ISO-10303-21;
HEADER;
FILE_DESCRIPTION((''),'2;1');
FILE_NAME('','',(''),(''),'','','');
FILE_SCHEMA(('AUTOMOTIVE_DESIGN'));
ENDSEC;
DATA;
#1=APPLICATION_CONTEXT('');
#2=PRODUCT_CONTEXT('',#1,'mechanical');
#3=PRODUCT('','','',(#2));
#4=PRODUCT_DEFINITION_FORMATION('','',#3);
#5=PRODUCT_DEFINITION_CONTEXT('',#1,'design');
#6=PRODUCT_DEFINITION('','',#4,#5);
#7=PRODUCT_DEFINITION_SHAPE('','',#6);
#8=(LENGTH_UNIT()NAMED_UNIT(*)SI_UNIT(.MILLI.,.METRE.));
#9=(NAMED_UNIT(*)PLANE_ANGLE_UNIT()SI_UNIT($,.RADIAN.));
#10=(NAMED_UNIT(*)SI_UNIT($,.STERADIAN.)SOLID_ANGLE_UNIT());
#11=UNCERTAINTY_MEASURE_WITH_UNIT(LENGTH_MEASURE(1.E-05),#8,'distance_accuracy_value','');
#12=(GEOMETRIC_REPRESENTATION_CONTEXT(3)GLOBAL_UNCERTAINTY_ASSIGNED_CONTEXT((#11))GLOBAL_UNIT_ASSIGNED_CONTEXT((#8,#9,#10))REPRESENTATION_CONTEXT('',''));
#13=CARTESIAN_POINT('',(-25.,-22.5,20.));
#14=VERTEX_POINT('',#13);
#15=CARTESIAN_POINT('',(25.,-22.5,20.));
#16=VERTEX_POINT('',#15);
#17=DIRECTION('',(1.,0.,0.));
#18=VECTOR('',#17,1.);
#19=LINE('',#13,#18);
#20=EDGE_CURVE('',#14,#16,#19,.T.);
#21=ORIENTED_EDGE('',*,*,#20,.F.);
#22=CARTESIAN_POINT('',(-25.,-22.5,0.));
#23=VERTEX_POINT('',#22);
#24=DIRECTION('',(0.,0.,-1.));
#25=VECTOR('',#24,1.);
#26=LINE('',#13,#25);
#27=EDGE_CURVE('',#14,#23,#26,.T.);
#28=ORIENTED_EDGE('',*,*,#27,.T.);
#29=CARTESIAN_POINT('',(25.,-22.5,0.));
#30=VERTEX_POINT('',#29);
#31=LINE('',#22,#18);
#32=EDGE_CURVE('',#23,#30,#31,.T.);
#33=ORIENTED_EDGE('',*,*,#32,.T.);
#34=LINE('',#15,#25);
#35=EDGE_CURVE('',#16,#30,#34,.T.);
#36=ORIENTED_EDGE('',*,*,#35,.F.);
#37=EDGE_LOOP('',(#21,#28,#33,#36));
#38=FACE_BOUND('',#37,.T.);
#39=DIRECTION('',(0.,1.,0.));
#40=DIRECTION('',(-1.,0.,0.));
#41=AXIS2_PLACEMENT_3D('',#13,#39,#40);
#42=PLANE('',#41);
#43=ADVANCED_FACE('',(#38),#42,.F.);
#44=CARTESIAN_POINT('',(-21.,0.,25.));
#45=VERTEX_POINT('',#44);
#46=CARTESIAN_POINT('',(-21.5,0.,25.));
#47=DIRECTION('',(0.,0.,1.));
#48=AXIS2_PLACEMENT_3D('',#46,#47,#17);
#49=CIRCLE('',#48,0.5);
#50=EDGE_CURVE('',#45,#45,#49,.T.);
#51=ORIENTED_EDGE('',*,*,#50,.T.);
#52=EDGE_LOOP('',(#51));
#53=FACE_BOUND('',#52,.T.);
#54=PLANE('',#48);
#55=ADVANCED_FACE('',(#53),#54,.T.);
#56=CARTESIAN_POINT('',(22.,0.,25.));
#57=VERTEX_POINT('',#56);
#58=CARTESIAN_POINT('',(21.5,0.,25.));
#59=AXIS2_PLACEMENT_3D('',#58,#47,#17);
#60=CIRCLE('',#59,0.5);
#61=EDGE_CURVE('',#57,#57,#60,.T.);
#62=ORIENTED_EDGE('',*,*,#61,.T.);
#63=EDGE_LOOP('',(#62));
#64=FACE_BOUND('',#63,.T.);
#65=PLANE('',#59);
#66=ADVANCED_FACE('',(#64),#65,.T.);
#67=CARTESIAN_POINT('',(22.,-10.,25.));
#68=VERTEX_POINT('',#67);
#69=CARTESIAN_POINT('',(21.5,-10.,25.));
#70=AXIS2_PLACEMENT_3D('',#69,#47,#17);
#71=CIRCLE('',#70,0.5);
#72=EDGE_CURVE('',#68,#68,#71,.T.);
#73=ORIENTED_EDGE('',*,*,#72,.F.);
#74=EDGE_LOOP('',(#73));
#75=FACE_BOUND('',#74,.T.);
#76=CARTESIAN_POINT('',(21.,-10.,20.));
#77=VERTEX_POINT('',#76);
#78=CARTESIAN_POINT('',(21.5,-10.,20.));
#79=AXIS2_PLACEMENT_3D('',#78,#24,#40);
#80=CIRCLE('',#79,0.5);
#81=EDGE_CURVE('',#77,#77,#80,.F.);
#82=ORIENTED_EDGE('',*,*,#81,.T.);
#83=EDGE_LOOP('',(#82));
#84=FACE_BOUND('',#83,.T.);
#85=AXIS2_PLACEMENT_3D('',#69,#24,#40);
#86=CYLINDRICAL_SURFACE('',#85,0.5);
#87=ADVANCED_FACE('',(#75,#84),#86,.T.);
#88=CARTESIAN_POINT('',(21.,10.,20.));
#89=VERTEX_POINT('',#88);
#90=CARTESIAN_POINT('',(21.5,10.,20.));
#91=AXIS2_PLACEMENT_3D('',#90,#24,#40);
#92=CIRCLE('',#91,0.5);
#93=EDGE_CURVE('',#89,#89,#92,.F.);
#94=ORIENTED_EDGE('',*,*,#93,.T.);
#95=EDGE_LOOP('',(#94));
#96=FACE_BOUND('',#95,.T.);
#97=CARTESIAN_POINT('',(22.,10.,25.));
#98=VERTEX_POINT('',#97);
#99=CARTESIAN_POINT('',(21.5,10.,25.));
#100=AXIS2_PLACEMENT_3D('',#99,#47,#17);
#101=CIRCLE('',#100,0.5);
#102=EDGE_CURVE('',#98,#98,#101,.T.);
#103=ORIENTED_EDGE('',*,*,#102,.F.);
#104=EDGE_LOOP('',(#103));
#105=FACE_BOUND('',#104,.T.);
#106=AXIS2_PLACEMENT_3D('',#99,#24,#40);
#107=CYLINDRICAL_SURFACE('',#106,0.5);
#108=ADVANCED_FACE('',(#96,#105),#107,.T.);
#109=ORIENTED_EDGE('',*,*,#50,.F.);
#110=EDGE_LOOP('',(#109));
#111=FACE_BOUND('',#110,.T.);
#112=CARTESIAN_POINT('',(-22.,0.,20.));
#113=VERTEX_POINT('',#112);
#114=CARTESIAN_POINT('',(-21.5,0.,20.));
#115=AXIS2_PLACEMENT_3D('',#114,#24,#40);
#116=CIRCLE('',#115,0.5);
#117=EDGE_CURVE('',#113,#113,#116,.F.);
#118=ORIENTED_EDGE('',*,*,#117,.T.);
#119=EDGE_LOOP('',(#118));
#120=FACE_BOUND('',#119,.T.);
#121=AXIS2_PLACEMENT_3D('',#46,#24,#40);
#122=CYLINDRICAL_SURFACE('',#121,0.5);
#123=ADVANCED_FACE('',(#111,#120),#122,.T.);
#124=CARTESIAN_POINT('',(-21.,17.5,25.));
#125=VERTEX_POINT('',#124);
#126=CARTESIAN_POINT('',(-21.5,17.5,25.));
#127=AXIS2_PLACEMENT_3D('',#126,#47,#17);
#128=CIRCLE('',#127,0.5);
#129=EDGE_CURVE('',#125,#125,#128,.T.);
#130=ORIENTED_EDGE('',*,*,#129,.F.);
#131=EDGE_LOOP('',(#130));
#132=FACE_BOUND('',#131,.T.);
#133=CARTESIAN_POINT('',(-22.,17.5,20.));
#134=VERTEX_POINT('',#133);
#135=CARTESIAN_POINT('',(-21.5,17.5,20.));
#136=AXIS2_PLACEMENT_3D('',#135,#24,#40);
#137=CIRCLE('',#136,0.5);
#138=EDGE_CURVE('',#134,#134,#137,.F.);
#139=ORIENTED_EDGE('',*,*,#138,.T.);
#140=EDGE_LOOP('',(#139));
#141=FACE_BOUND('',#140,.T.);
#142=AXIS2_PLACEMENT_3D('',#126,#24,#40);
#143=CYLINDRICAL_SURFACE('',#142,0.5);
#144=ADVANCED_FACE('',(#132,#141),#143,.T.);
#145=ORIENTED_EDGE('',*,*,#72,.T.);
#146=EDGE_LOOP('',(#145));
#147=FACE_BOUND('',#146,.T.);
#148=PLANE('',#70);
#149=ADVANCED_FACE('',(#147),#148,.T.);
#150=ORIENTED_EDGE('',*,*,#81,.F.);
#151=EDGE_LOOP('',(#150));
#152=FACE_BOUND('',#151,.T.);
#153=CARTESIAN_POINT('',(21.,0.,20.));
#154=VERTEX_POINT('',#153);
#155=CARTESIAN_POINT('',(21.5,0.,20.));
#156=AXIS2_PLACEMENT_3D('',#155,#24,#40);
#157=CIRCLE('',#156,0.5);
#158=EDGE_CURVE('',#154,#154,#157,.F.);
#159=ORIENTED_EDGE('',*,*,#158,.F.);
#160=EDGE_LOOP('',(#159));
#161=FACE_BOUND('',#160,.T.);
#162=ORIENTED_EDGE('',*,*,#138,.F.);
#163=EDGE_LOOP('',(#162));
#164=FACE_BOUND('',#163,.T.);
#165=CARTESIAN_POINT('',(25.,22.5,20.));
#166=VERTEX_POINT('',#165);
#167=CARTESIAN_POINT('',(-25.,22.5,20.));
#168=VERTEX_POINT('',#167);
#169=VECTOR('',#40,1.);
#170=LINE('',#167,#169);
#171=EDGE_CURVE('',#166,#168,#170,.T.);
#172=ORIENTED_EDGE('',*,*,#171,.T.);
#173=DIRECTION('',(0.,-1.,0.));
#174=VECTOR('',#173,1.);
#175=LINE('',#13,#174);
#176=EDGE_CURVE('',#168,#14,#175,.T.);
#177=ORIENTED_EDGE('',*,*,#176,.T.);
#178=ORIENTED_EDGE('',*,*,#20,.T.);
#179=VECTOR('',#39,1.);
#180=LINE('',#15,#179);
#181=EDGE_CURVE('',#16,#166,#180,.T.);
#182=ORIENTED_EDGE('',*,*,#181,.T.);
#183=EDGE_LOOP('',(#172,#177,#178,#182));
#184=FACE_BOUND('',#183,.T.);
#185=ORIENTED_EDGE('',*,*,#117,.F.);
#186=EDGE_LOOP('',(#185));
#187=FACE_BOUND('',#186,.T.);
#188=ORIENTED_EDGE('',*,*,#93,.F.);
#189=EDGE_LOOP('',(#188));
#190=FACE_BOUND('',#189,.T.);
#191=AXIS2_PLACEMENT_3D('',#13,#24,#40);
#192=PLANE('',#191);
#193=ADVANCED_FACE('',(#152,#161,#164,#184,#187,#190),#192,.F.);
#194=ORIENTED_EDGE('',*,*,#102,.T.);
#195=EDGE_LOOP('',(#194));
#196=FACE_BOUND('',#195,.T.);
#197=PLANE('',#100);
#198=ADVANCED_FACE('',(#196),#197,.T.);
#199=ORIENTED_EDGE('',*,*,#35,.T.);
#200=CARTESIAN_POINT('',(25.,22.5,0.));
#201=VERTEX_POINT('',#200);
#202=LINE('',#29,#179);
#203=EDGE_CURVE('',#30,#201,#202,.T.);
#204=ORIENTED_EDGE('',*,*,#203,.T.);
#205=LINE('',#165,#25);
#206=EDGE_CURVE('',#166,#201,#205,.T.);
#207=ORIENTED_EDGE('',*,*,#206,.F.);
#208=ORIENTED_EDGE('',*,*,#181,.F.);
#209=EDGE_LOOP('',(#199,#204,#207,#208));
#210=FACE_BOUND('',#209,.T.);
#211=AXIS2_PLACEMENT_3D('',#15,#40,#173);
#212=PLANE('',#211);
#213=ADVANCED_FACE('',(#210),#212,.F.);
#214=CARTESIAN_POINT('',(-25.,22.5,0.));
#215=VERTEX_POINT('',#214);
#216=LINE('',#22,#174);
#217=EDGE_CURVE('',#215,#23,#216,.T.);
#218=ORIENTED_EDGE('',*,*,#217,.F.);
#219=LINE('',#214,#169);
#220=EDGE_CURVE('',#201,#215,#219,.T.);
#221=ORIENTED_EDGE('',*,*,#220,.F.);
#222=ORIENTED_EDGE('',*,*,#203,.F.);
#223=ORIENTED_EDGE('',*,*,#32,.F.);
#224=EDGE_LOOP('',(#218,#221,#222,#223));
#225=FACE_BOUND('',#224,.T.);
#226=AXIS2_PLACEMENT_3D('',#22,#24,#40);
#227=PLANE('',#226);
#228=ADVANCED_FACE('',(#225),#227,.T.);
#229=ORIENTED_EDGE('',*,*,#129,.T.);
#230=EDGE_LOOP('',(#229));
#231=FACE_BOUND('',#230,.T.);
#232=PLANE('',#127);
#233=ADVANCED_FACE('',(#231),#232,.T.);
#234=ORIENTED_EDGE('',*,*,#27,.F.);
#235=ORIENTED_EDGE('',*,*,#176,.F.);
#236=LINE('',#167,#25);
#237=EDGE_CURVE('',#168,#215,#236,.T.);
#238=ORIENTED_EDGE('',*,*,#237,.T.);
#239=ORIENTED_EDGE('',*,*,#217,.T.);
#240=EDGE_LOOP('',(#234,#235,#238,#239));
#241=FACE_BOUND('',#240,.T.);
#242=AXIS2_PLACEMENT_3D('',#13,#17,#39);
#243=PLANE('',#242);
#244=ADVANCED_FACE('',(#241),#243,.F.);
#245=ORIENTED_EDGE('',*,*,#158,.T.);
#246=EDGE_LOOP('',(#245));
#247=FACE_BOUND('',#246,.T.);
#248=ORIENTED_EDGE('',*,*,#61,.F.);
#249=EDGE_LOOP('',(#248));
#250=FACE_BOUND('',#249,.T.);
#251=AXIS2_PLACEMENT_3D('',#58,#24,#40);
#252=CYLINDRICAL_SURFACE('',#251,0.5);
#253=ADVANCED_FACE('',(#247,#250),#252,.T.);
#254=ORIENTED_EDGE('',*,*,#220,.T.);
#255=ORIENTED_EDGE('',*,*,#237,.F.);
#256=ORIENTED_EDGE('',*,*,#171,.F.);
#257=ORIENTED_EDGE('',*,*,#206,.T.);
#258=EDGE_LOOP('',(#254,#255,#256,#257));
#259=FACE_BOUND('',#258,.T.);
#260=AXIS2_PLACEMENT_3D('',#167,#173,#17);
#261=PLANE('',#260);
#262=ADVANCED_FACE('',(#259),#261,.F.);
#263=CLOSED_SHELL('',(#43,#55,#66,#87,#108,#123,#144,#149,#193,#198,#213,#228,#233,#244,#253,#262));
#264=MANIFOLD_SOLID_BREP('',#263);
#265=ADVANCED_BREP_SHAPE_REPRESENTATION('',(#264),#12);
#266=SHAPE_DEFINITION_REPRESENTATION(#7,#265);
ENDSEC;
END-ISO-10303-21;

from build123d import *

# Parameters (mm, degrees)
SKETCH_1_W      = 50
SKETCH_1_H      = 45
EXTRUDE_1_DEPTH = 20
SKETCH_2_R      = 0.5
EXTRUDE_2_DEPTH = 5


with BuildPart() as part:
    # Эскиз1 → Вытянуть1 (new body)
    with BuildSketch(Plane.XY):
        Rectangle(SKETCH_1_W, SKETCH_1_H)
    extrude(amount=EXTRUDE_1_DEPTH)

    # Эскиз2 → Вытянуть2 (add)
    with BuildSketch(Plane.XY.offset(20)):
        with Locations(Location((-21.5, 17.5, 0), (0, 0, 180))):
            Circle(SKETCH_2_R)
        with Locations(Location((-21.5, 0, 0), (0, 0, 180))):
            Circle(SKETCH_2_R)
        with Locations(Location((21.5, 0, 0), (0, 0, 180))):
            Circle(SKETCH_2_R)
        with Locations(Location((21.5, 10, 0), (0, 0, 180))):
            Circle(SKETCH_2_R)
        with Locations(Location((21.5, -10, 0), (0, 0, 180))):
            Circle(SKETCH_2_R)
    extrude(amount=EXTRUDE_2_DEPTH)


solid = part.part
